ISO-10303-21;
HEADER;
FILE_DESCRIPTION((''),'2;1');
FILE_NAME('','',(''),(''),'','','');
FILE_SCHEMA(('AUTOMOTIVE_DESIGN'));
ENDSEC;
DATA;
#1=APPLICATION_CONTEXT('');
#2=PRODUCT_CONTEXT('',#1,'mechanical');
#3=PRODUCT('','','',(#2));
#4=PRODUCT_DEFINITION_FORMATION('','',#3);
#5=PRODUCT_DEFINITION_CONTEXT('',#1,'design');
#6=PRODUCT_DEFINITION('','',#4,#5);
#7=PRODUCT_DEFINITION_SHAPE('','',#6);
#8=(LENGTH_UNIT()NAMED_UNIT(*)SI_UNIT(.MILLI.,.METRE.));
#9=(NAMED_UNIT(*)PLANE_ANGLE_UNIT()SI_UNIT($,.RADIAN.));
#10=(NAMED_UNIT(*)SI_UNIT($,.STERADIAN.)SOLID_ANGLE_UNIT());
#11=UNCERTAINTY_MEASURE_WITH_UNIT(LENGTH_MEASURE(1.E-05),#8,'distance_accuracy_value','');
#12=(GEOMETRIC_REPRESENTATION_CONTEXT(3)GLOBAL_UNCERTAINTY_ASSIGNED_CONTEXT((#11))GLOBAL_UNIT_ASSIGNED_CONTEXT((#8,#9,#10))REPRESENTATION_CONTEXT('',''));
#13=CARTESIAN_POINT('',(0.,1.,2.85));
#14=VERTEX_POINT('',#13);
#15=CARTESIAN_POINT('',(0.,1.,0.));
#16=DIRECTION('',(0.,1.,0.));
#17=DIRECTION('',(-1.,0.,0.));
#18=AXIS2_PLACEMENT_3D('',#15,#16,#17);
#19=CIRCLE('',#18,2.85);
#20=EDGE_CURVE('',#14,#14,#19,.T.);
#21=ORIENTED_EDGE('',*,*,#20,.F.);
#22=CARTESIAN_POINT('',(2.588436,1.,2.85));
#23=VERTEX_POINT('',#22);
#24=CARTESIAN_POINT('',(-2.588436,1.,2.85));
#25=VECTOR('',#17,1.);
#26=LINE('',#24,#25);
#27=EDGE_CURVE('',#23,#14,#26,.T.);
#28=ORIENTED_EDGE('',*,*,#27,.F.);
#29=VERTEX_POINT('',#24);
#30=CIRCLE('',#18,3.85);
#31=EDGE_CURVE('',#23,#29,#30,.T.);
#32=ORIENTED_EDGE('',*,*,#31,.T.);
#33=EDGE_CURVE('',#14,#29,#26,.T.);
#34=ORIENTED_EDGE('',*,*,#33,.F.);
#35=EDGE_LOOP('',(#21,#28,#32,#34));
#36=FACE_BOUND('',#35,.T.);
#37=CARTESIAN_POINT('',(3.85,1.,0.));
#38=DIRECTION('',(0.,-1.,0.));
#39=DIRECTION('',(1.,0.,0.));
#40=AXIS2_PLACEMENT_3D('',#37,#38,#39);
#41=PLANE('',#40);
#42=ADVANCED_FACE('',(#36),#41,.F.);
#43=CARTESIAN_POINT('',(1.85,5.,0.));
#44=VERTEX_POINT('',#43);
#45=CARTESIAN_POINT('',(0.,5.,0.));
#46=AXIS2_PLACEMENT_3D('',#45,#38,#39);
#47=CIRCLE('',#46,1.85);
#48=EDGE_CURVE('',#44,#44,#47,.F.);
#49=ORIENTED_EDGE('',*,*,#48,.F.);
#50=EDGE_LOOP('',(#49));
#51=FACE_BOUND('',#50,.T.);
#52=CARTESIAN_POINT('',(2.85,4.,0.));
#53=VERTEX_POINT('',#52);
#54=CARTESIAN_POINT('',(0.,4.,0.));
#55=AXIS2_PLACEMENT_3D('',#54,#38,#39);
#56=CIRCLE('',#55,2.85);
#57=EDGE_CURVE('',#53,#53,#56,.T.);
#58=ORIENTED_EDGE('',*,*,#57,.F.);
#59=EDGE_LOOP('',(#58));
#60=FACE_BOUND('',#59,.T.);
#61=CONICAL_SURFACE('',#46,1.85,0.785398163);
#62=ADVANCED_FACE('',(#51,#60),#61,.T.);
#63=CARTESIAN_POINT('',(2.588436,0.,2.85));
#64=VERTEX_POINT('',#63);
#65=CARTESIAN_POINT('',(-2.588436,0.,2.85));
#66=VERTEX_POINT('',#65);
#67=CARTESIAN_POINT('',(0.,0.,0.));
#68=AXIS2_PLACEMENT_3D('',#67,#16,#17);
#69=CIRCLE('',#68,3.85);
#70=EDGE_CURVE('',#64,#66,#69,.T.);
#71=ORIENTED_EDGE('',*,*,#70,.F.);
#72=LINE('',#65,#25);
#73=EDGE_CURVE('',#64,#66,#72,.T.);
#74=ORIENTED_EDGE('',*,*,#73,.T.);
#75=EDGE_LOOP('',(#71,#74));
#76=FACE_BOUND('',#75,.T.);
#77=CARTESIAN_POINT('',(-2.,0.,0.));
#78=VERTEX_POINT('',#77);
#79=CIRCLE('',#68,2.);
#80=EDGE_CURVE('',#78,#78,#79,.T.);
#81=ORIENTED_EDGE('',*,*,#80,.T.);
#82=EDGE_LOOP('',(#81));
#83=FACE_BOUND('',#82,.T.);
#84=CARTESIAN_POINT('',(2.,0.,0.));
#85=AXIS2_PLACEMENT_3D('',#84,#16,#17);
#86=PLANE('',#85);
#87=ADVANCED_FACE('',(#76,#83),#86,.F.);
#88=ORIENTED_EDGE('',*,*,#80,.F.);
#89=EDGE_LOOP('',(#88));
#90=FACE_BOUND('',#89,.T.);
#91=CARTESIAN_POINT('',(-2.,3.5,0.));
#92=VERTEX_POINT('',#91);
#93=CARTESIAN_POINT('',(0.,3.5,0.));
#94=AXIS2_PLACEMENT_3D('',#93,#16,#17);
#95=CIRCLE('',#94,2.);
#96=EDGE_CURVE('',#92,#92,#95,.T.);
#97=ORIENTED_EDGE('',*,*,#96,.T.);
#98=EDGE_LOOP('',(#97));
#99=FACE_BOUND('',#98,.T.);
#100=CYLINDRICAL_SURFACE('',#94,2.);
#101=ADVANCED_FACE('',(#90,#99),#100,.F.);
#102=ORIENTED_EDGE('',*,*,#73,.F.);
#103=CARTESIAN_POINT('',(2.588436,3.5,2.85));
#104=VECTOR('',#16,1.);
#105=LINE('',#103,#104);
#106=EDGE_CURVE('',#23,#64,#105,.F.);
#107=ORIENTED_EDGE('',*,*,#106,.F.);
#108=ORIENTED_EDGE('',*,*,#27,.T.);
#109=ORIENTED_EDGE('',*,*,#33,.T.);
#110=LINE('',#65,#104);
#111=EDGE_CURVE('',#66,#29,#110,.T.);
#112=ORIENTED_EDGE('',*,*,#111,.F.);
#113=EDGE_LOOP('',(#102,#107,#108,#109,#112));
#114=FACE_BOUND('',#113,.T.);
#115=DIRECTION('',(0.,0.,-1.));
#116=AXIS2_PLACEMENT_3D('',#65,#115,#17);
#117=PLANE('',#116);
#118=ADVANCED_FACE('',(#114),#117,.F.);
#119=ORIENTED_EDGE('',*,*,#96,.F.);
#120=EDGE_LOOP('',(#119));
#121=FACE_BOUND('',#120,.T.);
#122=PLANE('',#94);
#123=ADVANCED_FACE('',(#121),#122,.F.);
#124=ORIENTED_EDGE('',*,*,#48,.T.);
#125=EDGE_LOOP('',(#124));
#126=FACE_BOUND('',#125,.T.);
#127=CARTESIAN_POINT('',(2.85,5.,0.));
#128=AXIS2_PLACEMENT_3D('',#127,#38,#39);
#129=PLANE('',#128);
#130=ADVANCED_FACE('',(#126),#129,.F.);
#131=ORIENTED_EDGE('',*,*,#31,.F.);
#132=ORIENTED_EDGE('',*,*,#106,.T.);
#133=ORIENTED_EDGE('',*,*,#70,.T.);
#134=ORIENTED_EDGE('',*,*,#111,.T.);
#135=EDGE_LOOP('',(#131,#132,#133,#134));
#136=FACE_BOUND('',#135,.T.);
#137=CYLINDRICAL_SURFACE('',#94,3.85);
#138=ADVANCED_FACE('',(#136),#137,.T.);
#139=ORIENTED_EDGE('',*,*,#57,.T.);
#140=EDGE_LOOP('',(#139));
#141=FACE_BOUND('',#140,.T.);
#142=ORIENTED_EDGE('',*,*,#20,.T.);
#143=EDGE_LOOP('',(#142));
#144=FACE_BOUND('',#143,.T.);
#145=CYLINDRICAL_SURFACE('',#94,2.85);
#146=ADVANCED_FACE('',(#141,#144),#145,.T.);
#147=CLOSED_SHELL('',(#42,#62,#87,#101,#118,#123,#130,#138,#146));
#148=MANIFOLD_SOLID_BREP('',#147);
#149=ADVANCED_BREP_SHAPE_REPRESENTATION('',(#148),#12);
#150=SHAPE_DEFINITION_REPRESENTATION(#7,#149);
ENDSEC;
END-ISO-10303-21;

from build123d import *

# Parameters (mm, degrees)
CHAMFER1_SIZE      = 1
SKETCH2_W          = 8.626605672
SKETCH2_H          = 1.786618514
CUT_EXTRUDE1_DEPTH = 2


with BuildPart() as part:
    # Sketch1 → Revolve1 (revolve)
    with BuildSketch(Plane.XY):
        Polygon((0, 3.5), (2, 3.5), (2, 0), (3.85, 0), (3.85, 1), (2.85, 1), (2.85, 5), (0, 5), align=None)
    revolve(axis=Axis((0, 3.5, 0), (0, -1, 0)))

    # Chamfer1
    chamfer1_edges = [part.edges().sort_by_distance(p)[0] for p in [
        (-2.85, 5, 0),
    ]]
    chamfer(chamfer1_edges, length=CHAMFER1_SIZE)

    # Sketch2 → Cut-Extrude1 (cut, through all)
    with BuildSketch(Plane(origin=(0, 1, 0), x_dir=(1, 0, 0), z_dir=(0, 1, 0))):
        with Locations((1.724867015, -3.743309257)):
            Rectangle(SKETCH2_W, SKETCH2_H)
    extrude(amount=-CUT_EXTRUDE1_DEPTH, mode=Mode.SUBTRACT)


solid = part.part
